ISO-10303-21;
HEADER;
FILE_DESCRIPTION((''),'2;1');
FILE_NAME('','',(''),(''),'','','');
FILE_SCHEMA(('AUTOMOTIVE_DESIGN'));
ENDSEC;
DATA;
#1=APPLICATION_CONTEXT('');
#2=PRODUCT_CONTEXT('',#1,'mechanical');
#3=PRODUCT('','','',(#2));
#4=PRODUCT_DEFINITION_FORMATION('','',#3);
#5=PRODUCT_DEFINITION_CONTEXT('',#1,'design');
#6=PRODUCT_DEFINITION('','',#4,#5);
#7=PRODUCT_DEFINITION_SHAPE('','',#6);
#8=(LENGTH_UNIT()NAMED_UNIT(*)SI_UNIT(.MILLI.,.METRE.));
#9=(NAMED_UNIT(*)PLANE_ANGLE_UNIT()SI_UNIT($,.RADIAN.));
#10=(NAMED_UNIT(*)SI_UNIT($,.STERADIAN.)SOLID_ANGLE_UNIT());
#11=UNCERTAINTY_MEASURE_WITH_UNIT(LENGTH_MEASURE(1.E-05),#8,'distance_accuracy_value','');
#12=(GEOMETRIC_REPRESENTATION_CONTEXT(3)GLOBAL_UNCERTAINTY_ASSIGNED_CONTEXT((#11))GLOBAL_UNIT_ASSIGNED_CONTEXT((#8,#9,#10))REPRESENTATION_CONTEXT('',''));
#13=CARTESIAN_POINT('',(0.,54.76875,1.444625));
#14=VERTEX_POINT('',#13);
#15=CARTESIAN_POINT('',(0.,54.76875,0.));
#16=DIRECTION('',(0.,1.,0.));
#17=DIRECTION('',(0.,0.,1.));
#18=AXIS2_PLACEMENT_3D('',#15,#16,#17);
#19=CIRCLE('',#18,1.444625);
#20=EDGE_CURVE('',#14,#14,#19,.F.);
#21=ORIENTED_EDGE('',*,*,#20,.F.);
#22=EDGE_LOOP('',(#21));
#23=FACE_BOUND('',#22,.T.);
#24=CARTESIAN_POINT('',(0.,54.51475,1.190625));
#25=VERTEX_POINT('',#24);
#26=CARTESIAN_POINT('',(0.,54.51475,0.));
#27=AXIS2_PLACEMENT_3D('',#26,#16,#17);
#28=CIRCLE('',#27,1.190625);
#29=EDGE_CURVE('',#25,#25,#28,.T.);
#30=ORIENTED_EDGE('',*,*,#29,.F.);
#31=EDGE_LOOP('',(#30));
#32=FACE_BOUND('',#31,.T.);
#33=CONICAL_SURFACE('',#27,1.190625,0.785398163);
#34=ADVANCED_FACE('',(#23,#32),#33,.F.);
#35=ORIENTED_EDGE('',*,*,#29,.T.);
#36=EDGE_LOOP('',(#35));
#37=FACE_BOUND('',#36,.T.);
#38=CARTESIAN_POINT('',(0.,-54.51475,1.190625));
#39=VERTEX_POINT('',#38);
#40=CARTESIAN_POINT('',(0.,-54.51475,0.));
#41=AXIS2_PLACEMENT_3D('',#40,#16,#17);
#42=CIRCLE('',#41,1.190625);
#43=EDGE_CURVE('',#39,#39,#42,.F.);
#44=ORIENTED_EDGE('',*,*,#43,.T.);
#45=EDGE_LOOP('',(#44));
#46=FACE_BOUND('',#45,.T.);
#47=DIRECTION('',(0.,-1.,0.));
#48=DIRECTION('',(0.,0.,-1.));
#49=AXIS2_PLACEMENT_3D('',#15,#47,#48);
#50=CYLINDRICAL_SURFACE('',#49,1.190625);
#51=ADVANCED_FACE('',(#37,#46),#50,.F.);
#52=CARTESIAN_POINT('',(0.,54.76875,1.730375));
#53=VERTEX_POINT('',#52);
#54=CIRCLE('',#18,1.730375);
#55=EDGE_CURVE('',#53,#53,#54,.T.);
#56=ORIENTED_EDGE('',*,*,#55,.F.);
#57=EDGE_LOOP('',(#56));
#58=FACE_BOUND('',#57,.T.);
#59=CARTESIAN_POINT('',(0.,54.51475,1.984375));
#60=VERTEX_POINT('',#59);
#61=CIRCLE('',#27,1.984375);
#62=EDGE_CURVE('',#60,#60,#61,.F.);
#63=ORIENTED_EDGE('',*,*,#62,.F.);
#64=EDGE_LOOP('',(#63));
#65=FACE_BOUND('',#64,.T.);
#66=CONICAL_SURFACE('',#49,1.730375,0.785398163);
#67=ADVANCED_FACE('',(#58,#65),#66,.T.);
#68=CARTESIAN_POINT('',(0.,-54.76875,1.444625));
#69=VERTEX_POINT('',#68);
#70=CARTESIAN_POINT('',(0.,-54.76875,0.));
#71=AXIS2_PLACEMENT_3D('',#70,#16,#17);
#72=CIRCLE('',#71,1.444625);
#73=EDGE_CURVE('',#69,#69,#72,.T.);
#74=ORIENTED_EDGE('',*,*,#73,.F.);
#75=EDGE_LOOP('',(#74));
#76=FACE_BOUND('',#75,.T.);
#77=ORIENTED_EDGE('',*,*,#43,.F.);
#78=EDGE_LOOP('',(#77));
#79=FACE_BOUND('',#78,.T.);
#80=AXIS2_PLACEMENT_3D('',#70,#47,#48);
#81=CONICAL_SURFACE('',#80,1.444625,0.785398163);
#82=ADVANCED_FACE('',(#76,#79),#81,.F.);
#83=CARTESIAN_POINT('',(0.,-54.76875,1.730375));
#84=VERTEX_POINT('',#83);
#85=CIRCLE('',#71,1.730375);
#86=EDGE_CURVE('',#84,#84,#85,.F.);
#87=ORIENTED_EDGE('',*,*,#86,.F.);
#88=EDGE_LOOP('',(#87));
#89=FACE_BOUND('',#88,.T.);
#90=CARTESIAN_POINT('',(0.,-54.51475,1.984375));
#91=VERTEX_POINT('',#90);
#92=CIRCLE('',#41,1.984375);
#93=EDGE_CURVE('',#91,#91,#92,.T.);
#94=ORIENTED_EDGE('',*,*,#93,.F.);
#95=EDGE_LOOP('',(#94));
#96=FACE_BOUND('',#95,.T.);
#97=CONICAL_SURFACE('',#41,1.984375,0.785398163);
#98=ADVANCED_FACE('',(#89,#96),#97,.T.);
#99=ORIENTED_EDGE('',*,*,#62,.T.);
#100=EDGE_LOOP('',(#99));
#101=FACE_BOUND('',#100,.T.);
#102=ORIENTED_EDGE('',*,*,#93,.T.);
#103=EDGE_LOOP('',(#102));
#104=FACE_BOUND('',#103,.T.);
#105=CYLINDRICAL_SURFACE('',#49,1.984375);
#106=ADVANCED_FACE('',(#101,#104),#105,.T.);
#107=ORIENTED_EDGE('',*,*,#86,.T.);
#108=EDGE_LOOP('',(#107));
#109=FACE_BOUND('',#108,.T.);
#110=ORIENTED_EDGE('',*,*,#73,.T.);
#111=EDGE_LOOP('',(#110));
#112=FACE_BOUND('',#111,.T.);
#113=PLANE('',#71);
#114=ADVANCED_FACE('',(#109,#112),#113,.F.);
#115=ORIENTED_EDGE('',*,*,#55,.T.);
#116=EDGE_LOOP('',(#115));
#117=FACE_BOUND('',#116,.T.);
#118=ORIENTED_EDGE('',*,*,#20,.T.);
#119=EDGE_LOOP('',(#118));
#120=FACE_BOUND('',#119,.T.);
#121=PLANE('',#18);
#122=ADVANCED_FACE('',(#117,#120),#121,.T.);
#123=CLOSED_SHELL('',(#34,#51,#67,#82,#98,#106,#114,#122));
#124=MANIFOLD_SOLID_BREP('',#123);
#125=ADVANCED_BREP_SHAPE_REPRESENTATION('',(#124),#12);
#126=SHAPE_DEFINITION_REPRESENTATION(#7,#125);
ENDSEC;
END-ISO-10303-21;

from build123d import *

# Parameters (mm, degrees)
SKETCH1_R           = 1.984375
SKETCH1_R_2         = 1.190625
BOSS_EXTRUDE1_DEPTH = 54.76875
CHAMFER1_SIZE       = 0.254


with BuildPart() as part:
    # Sketch1 → Boss-Extrude1 (new body, symmetric)
    with BuildSketch(Plane(origin=(0, 0, 0), x_dir=(1, 0, 0), z_dir=(0, 1, 0))):
        Circle(SKETCH1_R)
        Circle(SKETCH1_R_2, mode=Mode.SUBTRACT)
    extrude(amount=BOSS_EXTRUDE1_DEPTH, both=True)

    # Chamfer1
    chamfer1_edges = [part.edges().sort_by_distance(p)[0] for p in [
        (-1.984375, -54.76875, 0),
        (-1.984375, 54.76875, 0),
        (-1.190625, -54.76875, 0),
        (-1.190625, 54.76875, 0),
    ]]
    chamfer(chamfer1_edges, length=CHAMFER1_SIZE)


solid = part.part
